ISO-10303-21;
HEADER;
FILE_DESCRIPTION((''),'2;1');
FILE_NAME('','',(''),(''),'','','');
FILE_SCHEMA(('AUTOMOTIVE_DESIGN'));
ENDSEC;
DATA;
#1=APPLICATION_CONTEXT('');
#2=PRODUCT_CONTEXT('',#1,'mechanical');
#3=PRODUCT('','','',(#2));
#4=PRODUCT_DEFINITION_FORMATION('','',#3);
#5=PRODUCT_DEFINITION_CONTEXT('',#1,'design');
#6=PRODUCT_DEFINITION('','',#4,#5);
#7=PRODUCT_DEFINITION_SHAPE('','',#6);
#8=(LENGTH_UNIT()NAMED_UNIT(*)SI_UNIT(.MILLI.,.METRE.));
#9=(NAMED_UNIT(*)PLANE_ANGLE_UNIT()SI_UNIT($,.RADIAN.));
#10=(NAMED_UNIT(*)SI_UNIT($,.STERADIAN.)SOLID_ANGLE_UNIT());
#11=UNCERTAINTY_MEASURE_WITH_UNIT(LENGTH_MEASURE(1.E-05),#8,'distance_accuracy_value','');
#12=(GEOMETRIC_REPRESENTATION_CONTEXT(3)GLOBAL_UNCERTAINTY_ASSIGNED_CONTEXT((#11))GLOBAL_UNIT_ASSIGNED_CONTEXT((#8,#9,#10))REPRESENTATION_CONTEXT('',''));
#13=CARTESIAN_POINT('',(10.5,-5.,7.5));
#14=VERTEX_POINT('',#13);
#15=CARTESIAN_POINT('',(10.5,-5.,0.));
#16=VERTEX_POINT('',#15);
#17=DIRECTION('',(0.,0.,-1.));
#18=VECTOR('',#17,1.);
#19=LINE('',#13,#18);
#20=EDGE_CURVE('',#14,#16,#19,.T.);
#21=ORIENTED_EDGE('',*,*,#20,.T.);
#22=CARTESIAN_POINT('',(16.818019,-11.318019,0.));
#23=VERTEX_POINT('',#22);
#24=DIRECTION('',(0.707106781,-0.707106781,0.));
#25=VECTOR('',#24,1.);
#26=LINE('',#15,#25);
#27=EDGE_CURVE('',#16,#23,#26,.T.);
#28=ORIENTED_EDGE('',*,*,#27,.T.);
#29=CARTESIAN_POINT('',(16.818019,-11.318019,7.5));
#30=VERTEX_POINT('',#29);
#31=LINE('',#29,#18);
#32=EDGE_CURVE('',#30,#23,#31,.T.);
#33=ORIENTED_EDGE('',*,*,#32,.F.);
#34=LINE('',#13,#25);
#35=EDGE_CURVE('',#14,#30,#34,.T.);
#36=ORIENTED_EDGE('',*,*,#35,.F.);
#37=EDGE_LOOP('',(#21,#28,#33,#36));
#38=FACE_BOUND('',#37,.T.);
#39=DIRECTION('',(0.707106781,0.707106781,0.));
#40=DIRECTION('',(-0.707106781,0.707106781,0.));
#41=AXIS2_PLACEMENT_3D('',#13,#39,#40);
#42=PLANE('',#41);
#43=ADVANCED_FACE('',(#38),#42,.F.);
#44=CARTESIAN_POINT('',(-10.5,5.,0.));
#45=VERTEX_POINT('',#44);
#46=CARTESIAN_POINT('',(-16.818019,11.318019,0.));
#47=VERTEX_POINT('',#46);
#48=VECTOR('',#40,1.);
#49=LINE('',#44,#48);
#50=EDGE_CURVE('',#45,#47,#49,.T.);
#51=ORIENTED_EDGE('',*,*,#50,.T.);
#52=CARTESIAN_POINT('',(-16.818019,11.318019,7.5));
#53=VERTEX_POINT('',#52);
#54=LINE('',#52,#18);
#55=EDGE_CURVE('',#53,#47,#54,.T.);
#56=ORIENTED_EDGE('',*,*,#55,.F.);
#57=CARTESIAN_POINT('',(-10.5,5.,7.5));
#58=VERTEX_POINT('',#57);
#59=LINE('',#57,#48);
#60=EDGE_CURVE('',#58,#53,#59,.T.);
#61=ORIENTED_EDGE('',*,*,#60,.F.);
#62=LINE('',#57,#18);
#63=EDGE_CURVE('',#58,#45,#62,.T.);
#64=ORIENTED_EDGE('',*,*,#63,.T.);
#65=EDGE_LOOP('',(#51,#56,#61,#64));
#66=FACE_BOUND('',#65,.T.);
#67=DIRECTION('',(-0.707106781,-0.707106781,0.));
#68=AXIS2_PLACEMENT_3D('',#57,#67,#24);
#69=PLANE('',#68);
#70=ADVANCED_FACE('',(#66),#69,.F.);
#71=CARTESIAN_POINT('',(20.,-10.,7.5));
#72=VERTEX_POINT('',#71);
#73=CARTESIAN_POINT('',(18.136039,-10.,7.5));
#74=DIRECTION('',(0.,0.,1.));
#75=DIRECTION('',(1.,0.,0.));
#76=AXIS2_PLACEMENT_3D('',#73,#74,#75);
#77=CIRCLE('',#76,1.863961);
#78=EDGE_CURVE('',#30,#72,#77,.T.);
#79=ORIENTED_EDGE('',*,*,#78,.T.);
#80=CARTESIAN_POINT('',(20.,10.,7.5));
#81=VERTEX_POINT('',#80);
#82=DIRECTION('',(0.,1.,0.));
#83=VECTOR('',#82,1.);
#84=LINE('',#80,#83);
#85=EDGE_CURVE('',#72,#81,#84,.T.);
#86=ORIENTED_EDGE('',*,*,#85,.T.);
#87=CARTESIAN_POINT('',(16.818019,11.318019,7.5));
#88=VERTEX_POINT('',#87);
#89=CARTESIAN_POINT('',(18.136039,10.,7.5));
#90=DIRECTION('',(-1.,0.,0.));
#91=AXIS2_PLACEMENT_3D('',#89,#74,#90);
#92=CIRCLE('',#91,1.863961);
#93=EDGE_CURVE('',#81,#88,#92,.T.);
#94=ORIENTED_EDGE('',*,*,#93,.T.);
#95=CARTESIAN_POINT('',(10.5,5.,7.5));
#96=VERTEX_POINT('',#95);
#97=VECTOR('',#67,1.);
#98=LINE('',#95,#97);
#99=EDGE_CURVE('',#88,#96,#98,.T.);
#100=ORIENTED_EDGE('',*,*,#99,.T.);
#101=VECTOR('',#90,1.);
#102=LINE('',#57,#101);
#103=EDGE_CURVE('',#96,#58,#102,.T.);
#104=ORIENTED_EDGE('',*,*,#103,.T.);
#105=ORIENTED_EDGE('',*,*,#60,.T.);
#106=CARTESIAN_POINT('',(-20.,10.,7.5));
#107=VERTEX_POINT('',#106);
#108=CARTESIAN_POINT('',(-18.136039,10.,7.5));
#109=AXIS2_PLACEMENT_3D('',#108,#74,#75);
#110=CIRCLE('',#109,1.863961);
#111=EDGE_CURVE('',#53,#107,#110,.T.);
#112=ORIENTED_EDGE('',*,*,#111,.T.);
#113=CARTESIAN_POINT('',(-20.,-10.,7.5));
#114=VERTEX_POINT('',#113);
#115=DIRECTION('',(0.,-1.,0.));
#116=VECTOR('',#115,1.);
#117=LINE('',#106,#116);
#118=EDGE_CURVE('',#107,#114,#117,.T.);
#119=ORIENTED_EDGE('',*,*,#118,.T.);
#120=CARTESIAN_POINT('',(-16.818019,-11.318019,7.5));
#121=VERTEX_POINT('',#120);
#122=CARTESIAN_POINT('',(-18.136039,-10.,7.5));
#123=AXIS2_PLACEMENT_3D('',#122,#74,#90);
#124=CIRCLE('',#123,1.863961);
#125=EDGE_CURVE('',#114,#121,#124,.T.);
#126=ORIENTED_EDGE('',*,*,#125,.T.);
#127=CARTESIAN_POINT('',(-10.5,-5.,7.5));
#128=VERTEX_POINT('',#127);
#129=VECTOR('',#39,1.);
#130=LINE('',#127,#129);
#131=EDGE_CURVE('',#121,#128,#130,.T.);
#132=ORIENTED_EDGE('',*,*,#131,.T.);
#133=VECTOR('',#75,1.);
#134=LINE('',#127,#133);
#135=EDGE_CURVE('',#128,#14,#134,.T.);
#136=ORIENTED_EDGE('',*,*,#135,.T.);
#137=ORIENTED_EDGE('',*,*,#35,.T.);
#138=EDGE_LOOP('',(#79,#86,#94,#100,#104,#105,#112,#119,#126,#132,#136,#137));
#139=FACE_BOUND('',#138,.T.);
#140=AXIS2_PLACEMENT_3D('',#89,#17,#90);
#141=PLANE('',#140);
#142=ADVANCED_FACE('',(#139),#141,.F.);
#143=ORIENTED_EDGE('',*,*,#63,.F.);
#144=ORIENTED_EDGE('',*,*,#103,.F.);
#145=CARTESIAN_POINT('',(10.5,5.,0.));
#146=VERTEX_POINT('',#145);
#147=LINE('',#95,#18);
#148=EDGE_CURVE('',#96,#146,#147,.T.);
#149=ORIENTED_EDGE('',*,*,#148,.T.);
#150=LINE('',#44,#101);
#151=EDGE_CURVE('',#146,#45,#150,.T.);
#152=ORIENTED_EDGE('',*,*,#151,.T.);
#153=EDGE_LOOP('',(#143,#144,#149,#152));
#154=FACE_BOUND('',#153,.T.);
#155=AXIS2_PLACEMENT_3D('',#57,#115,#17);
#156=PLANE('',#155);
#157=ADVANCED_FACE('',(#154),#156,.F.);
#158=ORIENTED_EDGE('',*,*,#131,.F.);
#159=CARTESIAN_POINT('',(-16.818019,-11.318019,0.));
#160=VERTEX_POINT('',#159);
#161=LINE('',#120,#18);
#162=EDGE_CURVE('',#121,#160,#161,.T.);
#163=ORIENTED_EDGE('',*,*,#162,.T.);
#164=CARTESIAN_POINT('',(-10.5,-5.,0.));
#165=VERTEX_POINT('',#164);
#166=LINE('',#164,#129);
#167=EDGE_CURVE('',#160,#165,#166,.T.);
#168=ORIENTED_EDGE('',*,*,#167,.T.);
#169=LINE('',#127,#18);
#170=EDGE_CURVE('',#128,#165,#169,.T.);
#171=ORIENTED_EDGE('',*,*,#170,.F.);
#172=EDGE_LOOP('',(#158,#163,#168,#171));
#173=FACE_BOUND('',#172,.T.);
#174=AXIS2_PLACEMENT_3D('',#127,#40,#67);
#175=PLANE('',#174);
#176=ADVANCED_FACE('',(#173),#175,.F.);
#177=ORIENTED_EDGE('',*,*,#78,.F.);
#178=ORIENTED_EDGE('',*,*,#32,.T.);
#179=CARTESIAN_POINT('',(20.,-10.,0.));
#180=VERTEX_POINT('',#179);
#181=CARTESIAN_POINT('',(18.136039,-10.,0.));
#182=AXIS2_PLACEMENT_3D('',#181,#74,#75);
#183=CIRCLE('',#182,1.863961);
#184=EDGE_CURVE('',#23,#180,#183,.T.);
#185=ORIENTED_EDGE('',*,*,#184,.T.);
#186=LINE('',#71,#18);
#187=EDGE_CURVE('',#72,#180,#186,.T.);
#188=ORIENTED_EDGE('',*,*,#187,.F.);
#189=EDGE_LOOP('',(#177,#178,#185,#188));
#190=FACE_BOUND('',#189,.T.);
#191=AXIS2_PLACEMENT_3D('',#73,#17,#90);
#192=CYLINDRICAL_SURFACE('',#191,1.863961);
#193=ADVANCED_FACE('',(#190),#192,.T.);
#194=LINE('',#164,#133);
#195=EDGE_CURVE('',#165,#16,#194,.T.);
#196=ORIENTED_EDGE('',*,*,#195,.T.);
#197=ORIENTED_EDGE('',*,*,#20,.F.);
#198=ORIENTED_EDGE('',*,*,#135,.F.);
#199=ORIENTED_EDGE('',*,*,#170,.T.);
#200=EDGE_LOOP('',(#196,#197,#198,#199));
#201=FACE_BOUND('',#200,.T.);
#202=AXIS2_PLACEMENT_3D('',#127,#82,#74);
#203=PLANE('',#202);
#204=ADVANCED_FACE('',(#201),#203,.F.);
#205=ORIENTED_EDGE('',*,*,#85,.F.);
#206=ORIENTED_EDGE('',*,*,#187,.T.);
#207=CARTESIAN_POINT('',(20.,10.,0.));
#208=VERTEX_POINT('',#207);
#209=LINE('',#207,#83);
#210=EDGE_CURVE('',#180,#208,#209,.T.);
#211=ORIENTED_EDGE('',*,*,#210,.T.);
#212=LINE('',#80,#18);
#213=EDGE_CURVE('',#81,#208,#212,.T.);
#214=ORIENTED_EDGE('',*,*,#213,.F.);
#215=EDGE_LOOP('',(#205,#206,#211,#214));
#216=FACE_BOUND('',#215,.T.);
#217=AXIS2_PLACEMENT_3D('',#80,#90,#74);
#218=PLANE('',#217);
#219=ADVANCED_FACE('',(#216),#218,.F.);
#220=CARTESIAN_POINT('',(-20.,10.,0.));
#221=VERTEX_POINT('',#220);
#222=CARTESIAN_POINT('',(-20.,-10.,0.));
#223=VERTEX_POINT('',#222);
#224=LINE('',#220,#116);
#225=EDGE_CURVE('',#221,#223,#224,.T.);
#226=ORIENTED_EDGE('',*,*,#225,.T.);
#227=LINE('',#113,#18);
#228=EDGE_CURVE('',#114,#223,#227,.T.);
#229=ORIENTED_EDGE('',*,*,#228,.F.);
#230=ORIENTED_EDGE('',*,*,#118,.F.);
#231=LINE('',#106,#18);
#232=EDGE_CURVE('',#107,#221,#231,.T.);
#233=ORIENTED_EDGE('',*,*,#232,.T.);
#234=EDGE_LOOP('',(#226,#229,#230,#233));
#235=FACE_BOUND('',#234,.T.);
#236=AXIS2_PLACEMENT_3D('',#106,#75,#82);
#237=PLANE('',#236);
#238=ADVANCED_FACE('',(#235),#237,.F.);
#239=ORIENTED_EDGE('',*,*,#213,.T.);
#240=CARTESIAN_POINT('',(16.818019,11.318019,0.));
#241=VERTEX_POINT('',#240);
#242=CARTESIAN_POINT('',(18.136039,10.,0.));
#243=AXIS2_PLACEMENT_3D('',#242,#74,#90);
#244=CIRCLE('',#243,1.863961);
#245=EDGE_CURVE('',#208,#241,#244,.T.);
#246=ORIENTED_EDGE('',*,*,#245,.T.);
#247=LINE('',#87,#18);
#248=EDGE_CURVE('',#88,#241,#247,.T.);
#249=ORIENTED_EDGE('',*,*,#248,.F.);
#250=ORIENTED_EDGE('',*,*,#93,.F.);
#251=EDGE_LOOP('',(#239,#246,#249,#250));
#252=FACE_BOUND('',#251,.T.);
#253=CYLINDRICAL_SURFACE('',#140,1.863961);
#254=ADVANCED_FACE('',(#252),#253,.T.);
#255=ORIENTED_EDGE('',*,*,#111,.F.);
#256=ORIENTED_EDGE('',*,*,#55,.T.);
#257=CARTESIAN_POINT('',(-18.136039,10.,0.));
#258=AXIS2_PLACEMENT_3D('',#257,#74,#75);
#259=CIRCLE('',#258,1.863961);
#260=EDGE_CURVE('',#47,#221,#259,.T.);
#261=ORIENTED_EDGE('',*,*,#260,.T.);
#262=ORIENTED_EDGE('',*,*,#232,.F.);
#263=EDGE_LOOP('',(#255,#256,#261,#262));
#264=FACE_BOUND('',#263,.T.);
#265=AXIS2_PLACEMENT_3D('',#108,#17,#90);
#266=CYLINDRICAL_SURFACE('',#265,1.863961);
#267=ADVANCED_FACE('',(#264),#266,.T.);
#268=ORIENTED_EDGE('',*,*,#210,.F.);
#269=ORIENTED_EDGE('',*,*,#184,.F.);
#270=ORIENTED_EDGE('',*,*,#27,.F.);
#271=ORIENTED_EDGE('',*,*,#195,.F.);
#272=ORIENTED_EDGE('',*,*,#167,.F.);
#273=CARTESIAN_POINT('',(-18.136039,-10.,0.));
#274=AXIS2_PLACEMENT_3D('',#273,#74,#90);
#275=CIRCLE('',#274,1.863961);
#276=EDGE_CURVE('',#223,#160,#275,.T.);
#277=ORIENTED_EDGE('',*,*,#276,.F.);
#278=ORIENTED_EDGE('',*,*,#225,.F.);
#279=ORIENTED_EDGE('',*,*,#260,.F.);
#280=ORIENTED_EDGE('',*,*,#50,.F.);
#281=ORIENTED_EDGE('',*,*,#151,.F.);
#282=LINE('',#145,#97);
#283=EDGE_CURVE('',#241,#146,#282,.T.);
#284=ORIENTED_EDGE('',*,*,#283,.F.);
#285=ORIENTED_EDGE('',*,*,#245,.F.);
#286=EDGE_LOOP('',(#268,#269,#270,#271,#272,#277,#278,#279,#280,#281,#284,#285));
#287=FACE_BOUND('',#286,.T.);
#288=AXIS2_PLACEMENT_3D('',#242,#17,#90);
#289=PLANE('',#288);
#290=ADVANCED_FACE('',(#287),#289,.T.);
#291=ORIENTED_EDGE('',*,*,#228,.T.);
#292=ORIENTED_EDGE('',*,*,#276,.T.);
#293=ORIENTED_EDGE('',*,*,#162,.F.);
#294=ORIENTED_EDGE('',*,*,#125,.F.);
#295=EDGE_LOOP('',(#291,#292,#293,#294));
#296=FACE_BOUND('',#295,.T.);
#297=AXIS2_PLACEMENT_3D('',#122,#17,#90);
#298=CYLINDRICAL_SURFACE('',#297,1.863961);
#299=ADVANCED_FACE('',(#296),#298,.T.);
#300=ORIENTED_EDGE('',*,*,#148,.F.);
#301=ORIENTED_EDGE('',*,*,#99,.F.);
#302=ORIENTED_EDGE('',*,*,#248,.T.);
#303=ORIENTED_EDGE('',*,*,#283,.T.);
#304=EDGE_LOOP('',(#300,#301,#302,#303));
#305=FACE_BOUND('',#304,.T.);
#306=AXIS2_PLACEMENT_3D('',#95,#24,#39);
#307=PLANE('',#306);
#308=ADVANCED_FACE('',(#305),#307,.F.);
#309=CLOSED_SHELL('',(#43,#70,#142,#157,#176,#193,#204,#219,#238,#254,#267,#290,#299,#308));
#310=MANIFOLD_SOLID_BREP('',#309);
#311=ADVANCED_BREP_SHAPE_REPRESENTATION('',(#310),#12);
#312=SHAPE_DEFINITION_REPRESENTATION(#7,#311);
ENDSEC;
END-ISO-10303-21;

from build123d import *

# Parameters (mm, degrees)
BOSS_EXTRUDE1_DEPTH = 7.5


with BuildPart() as part:
    # Sketch1 → Boss-Extrude1 (new body)
    with BuildSketch(Plane.XY):
        with BuildLine():
            Line((-10.5, 5), (10.5, 5))
            Line((10.5, 5), (16.818019485, 11.318019485))
            ThreePointArc((16.818019485, 11.318019485), (18.849345974, 11.722075446), (20, 10))
            Line((20, 10), (20, -10))
            ThreePointArc((20, -10), (18.849345974, -11.722075446), (16.818019485, -11.318019485))
            Line((16.818019485, -11.318019485), (10.5, -5))
            Line((10.5, -5), (-10.5, -5))
            Line((-10.5, -5), (-16.818019485, -11.318019485))
            ThreePointArc((-16.818019485, -11.318019485), (-18.849345974, -11.722075446), (-20, -10))
            Line((-20, -10), (-20, 10))
            ThreePointArc((-20, 10), (-18.849345974, 11.722075446), (-16.818019485, 11.318019485))
            Line((-16.818019485, 11.318019485), (-10.5, 5))
        make_face()
    extrude(amount=BOSS_EXTRUDE1_DEPTH)


solid = part.part
